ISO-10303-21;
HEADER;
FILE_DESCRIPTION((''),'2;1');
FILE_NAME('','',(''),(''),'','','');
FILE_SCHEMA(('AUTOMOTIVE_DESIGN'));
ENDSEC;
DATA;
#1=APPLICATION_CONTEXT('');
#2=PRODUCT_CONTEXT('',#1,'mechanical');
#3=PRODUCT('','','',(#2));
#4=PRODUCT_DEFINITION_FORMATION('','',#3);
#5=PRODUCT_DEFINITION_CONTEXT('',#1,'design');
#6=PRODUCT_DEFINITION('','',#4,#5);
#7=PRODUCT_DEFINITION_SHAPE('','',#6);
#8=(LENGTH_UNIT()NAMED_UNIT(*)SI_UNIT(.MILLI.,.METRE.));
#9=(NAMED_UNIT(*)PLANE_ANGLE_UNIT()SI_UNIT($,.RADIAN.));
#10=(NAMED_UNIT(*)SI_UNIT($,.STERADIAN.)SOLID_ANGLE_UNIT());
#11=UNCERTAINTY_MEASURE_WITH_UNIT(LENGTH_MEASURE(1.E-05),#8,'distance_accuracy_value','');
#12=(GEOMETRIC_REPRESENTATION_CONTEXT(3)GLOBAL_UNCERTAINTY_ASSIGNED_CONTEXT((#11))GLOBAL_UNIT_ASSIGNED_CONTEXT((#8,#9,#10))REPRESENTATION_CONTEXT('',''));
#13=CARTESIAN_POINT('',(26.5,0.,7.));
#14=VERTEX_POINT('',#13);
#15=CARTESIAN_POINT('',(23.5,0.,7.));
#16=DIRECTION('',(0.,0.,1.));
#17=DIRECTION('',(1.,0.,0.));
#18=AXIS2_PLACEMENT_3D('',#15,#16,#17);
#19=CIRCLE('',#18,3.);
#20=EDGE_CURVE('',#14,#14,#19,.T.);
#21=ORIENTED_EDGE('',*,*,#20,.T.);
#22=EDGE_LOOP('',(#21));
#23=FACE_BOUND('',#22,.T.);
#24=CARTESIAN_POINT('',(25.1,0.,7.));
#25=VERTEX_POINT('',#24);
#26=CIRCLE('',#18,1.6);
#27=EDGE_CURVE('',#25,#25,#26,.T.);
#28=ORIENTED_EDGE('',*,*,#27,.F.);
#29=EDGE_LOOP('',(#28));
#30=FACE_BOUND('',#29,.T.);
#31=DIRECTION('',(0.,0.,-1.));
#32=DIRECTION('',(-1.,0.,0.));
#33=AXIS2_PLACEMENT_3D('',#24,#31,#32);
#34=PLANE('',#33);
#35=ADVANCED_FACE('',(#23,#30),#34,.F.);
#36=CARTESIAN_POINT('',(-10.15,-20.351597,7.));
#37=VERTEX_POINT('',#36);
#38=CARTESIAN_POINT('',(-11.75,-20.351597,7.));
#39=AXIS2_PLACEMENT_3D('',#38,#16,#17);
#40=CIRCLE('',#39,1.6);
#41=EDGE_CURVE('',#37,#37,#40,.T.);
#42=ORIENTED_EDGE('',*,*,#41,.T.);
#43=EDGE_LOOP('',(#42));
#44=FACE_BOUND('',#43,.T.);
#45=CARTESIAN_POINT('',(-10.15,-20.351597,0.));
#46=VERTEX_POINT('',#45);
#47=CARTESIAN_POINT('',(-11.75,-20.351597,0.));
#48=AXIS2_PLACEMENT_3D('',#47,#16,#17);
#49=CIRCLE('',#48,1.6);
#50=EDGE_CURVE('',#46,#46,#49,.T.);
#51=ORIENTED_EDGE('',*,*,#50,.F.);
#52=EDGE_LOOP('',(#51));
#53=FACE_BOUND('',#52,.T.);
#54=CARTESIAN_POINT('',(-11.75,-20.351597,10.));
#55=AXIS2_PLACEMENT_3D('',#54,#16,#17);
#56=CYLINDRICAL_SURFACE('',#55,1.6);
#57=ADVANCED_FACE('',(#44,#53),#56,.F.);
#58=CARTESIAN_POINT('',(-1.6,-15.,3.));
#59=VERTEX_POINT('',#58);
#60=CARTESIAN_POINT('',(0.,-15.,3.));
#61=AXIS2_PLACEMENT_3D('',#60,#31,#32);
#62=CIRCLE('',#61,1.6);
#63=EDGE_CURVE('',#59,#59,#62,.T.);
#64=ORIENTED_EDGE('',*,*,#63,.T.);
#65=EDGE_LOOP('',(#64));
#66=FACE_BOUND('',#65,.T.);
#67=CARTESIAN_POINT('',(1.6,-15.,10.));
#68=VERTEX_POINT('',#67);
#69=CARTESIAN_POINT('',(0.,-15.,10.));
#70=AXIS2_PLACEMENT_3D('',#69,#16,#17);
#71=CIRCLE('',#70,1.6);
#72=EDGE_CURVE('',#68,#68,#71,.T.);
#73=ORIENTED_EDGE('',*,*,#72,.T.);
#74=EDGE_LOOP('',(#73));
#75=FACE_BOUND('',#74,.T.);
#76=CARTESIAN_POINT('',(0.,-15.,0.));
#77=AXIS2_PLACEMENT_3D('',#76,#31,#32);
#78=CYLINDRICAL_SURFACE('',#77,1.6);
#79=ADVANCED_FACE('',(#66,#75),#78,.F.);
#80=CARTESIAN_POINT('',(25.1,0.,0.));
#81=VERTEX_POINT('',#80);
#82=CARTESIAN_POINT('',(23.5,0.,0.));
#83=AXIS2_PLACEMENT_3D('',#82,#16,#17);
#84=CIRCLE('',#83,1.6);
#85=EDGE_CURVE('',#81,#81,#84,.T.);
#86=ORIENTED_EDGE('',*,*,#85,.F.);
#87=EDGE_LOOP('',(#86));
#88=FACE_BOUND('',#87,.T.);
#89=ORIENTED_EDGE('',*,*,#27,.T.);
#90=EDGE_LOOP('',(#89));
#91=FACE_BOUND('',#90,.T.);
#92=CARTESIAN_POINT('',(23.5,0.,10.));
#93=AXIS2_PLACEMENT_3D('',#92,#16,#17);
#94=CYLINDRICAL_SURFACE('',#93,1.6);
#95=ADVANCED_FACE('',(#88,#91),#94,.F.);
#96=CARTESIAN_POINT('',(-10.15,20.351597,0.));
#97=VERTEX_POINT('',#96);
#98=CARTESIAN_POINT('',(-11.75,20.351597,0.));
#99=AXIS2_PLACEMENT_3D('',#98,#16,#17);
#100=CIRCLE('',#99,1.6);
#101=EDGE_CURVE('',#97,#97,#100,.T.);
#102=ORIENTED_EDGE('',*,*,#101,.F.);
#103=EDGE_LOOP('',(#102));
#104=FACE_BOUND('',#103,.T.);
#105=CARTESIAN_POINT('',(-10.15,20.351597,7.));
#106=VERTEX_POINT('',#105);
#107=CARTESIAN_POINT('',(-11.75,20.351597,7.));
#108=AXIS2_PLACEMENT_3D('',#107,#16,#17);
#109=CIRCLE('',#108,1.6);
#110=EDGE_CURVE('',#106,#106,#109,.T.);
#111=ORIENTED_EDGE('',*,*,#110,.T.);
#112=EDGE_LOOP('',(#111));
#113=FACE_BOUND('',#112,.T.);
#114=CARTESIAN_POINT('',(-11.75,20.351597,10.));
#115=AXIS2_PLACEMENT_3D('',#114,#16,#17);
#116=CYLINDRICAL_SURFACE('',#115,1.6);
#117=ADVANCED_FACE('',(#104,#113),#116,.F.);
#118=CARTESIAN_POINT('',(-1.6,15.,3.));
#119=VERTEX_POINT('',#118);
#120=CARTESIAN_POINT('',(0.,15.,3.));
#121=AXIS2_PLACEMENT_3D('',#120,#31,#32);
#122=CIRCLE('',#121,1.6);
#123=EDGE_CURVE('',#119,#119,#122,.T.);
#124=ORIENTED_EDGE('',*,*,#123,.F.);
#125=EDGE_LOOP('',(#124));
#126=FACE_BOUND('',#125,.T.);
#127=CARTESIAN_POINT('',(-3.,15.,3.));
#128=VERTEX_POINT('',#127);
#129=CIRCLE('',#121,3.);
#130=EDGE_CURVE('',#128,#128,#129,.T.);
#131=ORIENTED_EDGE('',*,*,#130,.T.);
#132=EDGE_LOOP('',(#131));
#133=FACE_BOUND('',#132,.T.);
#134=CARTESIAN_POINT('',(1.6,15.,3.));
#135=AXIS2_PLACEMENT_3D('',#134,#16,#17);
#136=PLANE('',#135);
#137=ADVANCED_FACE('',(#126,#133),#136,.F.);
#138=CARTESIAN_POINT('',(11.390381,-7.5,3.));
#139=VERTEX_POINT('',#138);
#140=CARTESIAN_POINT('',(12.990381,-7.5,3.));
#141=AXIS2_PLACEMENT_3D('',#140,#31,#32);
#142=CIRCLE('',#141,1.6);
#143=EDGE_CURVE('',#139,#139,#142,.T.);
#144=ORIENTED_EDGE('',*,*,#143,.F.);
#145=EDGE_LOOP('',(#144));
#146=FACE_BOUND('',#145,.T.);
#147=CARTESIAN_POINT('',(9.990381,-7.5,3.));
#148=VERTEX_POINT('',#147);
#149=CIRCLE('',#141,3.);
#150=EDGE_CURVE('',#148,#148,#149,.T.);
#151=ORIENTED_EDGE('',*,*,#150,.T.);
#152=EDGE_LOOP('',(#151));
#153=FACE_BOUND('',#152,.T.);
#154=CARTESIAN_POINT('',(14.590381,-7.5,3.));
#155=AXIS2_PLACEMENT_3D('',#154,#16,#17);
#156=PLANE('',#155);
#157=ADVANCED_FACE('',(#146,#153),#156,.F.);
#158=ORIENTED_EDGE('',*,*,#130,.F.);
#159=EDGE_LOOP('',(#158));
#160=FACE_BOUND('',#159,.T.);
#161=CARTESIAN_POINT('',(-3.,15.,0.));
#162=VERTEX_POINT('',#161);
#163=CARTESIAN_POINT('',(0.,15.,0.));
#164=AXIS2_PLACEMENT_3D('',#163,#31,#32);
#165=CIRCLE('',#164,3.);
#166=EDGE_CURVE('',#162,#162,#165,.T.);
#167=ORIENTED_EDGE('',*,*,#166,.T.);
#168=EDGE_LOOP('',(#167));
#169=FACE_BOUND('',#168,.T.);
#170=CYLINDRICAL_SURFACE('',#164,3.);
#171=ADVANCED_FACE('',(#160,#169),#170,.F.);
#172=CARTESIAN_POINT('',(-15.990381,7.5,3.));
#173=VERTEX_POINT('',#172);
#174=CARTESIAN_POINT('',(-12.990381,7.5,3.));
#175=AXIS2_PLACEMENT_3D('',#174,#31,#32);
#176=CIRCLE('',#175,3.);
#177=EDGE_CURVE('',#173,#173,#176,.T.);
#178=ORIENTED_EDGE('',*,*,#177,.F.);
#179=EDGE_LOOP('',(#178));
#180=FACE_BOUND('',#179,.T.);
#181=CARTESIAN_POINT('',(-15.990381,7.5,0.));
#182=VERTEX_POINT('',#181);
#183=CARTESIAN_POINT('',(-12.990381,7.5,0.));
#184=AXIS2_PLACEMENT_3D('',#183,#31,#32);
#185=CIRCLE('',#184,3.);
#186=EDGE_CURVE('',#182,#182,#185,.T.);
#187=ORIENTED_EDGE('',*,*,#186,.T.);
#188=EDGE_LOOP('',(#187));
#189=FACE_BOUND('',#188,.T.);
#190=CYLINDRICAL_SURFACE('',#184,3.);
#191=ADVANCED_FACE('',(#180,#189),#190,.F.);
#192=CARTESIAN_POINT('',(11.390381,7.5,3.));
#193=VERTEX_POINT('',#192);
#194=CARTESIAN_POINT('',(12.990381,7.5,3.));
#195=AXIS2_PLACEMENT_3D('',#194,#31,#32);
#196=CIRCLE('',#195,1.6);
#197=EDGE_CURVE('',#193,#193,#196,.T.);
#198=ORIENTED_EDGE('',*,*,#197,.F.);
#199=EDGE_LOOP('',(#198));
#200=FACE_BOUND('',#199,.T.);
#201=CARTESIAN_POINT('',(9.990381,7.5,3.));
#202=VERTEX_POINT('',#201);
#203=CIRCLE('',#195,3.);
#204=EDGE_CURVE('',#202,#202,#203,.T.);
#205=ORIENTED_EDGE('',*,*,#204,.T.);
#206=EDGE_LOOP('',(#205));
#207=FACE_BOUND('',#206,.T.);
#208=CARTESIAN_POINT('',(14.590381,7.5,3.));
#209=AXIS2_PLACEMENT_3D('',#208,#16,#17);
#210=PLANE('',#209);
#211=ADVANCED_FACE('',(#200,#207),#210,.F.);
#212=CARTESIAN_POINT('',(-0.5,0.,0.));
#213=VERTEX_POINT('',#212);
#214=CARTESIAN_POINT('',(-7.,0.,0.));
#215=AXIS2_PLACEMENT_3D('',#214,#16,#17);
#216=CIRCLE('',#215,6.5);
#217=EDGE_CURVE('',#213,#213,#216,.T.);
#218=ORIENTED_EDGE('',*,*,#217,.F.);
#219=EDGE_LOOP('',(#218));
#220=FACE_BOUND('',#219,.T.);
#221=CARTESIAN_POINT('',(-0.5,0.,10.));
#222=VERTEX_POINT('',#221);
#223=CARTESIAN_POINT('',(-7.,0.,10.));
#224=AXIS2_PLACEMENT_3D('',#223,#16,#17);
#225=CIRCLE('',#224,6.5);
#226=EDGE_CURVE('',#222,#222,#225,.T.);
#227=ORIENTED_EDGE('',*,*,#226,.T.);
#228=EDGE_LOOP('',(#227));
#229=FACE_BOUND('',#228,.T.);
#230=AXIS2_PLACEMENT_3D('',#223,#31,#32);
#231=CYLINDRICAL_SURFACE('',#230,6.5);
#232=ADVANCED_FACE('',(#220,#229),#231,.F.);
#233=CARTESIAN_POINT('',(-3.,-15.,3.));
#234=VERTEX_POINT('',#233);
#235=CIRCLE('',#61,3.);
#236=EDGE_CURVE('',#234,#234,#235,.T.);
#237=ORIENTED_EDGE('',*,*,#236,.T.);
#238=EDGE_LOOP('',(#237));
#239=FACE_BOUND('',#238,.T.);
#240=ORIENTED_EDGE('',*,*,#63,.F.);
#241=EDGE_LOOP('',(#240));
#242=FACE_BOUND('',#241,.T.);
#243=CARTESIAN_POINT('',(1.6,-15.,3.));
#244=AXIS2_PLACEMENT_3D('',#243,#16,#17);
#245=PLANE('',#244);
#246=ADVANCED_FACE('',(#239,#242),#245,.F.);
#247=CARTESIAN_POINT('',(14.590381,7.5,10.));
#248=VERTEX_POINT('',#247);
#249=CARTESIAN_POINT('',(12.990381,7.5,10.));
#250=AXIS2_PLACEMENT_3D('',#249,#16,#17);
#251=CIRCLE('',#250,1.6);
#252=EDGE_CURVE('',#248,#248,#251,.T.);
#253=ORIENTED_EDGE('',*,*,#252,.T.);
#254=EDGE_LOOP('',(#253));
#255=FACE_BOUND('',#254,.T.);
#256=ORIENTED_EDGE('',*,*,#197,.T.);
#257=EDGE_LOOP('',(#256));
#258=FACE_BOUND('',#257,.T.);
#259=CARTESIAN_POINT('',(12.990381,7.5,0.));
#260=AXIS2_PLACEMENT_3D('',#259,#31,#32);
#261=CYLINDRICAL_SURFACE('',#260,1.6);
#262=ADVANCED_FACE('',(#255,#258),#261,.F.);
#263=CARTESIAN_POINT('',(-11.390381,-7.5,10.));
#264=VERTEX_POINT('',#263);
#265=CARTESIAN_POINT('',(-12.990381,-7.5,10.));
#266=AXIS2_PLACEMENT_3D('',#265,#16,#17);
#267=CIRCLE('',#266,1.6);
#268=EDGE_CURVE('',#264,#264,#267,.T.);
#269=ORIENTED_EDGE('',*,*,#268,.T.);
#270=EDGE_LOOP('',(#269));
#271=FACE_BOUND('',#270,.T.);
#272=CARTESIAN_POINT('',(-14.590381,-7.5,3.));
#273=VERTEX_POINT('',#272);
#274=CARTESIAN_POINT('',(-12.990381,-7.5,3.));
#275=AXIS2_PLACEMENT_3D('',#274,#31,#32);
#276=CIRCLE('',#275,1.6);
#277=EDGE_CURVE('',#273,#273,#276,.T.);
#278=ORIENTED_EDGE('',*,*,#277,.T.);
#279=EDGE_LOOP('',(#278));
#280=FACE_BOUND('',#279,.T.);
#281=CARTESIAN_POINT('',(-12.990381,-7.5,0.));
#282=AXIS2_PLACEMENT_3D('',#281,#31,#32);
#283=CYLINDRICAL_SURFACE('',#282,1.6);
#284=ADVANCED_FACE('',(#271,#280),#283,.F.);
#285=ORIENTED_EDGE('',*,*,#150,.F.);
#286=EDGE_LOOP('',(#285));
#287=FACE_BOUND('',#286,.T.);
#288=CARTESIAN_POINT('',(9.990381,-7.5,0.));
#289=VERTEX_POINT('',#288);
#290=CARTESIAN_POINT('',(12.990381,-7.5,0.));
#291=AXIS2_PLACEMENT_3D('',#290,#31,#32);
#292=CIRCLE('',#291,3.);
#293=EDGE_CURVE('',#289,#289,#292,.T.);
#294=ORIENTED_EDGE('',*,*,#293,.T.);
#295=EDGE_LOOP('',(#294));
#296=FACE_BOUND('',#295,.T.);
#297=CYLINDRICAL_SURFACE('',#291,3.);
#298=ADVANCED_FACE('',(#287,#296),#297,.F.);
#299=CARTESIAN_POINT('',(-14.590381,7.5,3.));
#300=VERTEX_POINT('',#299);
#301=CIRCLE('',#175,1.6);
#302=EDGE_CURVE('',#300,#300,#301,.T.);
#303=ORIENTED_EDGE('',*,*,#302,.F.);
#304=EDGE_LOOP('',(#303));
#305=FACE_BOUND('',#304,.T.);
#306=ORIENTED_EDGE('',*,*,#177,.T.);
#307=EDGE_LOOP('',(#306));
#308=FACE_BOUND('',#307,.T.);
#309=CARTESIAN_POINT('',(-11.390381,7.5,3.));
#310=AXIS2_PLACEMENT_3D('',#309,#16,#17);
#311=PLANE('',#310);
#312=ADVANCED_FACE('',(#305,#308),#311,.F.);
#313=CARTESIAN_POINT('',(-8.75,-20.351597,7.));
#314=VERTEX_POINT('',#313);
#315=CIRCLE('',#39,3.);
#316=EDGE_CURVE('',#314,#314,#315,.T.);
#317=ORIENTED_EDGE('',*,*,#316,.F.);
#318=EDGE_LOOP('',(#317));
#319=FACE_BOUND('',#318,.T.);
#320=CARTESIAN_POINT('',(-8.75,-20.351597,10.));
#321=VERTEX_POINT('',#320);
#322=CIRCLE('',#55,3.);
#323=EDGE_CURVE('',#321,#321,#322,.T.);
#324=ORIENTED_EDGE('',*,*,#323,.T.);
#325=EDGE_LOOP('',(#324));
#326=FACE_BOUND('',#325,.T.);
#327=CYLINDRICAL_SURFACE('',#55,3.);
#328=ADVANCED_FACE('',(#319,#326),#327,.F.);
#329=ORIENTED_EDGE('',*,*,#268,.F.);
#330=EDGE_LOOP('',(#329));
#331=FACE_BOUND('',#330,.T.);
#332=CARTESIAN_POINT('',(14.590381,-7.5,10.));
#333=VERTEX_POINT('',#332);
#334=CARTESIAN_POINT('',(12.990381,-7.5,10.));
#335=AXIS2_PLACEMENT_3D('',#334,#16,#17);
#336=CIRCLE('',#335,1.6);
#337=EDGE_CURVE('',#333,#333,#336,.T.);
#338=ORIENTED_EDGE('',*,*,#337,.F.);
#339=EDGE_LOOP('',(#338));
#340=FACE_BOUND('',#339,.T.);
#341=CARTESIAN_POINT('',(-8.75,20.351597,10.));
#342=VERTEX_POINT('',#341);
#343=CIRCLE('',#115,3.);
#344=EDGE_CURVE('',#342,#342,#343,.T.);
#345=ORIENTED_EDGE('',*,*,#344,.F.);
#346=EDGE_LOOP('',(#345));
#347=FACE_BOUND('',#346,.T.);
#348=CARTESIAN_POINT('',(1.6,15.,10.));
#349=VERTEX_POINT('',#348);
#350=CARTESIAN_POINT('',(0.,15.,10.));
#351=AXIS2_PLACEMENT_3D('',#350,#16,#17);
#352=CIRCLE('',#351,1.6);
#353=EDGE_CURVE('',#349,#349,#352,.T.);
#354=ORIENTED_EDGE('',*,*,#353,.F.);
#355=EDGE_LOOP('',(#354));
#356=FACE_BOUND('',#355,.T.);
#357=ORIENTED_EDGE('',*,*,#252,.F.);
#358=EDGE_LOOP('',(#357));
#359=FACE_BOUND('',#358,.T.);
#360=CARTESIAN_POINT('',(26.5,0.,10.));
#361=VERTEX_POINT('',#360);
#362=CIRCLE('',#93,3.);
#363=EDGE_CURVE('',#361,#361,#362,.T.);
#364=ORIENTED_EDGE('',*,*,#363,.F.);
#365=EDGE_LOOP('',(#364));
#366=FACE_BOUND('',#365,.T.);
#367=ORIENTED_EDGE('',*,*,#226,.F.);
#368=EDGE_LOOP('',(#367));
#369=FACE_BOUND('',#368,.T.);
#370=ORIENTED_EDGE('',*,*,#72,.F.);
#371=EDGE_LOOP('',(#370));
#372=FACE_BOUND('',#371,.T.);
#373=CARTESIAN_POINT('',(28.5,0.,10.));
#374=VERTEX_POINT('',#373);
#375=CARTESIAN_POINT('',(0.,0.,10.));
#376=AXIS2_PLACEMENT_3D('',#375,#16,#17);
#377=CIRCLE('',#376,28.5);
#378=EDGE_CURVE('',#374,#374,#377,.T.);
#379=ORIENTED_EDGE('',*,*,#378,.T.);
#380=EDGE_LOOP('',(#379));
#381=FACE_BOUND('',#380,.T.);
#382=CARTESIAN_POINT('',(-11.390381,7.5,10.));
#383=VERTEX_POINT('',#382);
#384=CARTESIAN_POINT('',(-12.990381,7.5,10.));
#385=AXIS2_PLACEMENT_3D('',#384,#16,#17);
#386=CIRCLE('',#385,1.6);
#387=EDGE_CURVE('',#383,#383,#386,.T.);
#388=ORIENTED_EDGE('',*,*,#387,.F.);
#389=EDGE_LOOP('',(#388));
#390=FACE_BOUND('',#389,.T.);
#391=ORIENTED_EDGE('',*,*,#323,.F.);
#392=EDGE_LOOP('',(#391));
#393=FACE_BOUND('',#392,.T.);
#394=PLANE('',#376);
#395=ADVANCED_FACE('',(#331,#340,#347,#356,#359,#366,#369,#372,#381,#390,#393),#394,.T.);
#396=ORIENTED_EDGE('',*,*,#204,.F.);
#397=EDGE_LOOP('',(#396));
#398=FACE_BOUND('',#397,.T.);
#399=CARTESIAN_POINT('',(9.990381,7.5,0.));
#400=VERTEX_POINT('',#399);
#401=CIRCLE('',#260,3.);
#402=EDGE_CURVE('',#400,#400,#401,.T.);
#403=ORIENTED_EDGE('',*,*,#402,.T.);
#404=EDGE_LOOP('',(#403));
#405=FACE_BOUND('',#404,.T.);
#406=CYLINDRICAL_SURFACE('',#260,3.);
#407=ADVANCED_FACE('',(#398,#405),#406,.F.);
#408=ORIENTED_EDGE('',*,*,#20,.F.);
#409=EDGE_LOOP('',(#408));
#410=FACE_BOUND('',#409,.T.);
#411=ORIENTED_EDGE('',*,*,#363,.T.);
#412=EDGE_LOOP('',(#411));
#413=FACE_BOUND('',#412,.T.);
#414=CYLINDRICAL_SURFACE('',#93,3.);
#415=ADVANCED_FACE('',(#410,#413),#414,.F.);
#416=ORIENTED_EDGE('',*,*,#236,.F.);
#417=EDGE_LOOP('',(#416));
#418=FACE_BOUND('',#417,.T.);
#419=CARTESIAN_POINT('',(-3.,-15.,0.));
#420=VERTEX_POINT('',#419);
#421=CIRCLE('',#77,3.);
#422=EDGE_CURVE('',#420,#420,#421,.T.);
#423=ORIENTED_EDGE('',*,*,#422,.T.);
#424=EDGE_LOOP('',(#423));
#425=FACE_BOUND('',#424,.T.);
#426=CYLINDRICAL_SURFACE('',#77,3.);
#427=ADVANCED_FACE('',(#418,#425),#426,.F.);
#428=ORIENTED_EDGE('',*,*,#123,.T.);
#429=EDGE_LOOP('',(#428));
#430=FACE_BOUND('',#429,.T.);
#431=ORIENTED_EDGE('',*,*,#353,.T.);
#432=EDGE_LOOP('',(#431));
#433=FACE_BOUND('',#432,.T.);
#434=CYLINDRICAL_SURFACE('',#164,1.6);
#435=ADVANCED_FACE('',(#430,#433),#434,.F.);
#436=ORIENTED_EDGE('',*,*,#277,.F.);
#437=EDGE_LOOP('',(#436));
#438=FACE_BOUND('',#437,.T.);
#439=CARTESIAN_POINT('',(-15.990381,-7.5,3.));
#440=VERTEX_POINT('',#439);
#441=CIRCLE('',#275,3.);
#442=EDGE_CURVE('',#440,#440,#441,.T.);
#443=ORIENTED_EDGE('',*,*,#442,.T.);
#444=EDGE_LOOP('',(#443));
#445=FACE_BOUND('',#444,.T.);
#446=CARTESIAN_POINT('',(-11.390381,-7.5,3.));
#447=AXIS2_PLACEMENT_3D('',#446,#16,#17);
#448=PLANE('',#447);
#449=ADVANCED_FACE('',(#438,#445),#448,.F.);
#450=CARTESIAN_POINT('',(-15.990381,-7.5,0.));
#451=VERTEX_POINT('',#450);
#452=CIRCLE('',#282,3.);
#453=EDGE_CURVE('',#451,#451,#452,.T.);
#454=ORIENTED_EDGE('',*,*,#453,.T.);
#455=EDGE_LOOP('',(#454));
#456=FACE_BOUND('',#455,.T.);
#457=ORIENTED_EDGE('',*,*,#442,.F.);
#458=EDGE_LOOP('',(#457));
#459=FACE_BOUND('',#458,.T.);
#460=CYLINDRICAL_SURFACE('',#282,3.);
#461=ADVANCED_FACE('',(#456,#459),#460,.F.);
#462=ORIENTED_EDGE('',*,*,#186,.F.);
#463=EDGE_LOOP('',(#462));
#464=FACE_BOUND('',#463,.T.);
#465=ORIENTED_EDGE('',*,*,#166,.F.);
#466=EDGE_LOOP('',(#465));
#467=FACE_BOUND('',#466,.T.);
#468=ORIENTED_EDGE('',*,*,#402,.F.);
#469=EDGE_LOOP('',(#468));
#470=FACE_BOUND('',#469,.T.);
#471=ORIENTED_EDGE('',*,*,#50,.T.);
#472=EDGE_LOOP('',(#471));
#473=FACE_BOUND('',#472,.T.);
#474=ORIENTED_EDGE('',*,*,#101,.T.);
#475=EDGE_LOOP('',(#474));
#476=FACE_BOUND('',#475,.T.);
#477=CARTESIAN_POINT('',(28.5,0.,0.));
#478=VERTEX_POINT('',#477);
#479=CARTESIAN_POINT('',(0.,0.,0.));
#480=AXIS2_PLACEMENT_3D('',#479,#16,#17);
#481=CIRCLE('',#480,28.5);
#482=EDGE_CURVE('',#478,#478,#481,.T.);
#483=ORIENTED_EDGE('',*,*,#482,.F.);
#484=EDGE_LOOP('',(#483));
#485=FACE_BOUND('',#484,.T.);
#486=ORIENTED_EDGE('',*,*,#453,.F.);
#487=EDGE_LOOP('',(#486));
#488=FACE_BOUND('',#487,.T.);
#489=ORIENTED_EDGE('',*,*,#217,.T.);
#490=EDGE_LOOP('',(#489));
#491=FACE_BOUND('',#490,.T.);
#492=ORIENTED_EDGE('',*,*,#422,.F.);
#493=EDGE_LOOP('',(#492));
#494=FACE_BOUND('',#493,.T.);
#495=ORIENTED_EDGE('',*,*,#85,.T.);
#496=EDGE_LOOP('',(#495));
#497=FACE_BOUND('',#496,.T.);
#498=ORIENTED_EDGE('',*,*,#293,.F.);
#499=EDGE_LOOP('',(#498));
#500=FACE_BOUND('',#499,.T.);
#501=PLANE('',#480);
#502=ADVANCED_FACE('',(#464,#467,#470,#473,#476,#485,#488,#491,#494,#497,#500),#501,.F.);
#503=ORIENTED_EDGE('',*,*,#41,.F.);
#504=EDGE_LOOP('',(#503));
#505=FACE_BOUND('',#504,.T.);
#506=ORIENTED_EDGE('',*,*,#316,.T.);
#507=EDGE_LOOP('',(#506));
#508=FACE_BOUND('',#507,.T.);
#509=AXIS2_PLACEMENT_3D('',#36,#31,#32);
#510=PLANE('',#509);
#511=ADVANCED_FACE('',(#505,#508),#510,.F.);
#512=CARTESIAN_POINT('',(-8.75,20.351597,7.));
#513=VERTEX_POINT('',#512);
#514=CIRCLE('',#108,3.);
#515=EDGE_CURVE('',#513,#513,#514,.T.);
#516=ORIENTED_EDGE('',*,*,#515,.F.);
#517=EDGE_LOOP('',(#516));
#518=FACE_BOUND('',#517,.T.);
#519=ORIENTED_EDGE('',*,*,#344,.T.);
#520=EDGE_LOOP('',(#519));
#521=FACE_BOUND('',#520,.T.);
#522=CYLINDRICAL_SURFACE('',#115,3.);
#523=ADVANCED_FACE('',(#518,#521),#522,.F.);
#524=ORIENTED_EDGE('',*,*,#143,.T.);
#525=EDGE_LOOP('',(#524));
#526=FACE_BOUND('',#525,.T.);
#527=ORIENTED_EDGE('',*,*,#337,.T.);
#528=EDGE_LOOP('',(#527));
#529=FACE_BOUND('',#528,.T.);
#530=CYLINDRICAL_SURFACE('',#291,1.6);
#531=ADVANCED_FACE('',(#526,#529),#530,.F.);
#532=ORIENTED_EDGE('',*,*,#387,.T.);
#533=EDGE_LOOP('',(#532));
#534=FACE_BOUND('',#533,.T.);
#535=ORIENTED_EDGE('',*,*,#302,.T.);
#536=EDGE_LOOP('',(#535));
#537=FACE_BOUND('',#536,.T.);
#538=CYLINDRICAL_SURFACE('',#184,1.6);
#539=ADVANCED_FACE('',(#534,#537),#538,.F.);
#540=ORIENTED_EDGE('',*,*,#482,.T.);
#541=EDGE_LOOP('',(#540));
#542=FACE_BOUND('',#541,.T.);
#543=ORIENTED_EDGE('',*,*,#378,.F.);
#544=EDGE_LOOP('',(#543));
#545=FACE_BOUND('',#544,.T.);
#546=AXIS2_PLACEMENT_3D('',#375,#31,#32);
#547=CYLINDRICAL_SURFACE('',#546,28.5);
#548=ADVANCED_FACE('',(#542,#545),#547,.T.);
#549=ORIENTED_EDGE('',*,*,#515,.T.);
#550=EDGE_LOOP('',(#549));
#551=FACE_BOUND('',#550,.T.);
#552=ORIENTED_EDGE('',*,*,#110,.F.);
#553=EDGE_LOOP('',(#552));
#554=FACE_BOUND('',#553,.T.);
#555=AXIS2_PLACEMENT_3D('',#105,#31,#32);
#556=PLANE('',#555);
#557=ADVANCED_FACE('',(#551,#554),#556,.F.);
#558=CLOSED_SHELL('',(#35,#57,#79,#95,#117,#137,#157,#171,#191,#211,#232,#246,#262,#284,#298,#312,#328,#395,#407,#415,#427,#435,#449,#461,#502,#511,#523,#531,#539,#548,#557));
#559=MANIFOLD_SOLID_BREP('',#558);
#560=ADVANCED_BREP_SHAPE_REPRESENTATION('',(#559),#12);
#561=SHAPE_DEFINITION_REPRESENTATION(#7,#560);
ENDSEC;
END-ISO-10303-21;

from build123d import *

# Parameters (mm, degrees)
CROQUIS1_R              = 28.5
CROQUIS1_R_2            = 6.5
SALIENTE_EXTRUIR1_DEPTH = 10
MATRIZC2_COUNT          = 3
MATRIZC3_COUNT          = 6


with BuildPart() as part:
    # Croquis1 → Saliente-Extruir1 (new body)
    with BuildSketch(Plane.XY):
        Circle(CROQUIS1_R)
        with Locations((-7, 0)):
            Circle(CROQUIS1_R_2, mode=Mode.SUBTRACT)
    extrude(amount=SALIENTE_EXTRUIR1_DEPTH)

    # Croquis4 → Refrentado para tornillo con cabeza tron (revolve, cut)
    with BuildSketch(Plane(origin=(23.5, 0, 10), x_dir=(0, -1, 0), z_dir=(1, 0, 0))):
        Polygon((0, 0), (0, 20.96137699), (1.6, 20), (1.6, 3), (3, 3), (3, 0), align=None)
    refrentado_para_tornillo_con_cabeza_tron = revolve(axis=Axis((23.5, 0, 16.35), (0, 0, -1)), mode=Mode.SUBTRACT)

    # MatrizC2: Refrentado para tornillo con cabeza tron ×3 about axis
    matrizc2_axis = Axis((0, 0, 0), (0, 0, 1))
    for i in range(1, MATRIZC2_COUNT):
        add(refrentado_para_tornillo_con_cabeza_tron.rotate(matrizc2_axis, i * 360 / MATRIZC2_COUNT), mode=Mode.SUBTRACT)

    # Croquis9 → Refrentado para tornillo con cabeza  2 (revolve, cut)
    with BuildSketch(Plane(origin=(12.990381057, 7.5, 0), x_dir=(0, 1, 0), z_dir=(1, 0, 0))):
        Polygon((0, 0), (0, 20.96137699), (1.6, 20), (1.6, 3), (3, 3), (3, 0), align=None)
    refrentado_para_tornillo_con_cabeza_2 = revolve(axis=Axis((12.990381057, 7.5, -6.35), (0, 0, 1)), mode=Mode.SUBTRACT)

    # MatrizC3: Refrentado para tornillo con cabeza  2 ×6 about axis
    matrizc3_axis = Axis((0, 0, 0), (0, 0, 1))
    for i in range(1, MATRIZC3_COUNT):
        add(refrentado_para_tornillo_con_cabeza_2.rotate(matrizc3_axis, i * 360 / MATRIZC3_COUNT), mode=Mode.SUBTRACT)


solid = part.part
